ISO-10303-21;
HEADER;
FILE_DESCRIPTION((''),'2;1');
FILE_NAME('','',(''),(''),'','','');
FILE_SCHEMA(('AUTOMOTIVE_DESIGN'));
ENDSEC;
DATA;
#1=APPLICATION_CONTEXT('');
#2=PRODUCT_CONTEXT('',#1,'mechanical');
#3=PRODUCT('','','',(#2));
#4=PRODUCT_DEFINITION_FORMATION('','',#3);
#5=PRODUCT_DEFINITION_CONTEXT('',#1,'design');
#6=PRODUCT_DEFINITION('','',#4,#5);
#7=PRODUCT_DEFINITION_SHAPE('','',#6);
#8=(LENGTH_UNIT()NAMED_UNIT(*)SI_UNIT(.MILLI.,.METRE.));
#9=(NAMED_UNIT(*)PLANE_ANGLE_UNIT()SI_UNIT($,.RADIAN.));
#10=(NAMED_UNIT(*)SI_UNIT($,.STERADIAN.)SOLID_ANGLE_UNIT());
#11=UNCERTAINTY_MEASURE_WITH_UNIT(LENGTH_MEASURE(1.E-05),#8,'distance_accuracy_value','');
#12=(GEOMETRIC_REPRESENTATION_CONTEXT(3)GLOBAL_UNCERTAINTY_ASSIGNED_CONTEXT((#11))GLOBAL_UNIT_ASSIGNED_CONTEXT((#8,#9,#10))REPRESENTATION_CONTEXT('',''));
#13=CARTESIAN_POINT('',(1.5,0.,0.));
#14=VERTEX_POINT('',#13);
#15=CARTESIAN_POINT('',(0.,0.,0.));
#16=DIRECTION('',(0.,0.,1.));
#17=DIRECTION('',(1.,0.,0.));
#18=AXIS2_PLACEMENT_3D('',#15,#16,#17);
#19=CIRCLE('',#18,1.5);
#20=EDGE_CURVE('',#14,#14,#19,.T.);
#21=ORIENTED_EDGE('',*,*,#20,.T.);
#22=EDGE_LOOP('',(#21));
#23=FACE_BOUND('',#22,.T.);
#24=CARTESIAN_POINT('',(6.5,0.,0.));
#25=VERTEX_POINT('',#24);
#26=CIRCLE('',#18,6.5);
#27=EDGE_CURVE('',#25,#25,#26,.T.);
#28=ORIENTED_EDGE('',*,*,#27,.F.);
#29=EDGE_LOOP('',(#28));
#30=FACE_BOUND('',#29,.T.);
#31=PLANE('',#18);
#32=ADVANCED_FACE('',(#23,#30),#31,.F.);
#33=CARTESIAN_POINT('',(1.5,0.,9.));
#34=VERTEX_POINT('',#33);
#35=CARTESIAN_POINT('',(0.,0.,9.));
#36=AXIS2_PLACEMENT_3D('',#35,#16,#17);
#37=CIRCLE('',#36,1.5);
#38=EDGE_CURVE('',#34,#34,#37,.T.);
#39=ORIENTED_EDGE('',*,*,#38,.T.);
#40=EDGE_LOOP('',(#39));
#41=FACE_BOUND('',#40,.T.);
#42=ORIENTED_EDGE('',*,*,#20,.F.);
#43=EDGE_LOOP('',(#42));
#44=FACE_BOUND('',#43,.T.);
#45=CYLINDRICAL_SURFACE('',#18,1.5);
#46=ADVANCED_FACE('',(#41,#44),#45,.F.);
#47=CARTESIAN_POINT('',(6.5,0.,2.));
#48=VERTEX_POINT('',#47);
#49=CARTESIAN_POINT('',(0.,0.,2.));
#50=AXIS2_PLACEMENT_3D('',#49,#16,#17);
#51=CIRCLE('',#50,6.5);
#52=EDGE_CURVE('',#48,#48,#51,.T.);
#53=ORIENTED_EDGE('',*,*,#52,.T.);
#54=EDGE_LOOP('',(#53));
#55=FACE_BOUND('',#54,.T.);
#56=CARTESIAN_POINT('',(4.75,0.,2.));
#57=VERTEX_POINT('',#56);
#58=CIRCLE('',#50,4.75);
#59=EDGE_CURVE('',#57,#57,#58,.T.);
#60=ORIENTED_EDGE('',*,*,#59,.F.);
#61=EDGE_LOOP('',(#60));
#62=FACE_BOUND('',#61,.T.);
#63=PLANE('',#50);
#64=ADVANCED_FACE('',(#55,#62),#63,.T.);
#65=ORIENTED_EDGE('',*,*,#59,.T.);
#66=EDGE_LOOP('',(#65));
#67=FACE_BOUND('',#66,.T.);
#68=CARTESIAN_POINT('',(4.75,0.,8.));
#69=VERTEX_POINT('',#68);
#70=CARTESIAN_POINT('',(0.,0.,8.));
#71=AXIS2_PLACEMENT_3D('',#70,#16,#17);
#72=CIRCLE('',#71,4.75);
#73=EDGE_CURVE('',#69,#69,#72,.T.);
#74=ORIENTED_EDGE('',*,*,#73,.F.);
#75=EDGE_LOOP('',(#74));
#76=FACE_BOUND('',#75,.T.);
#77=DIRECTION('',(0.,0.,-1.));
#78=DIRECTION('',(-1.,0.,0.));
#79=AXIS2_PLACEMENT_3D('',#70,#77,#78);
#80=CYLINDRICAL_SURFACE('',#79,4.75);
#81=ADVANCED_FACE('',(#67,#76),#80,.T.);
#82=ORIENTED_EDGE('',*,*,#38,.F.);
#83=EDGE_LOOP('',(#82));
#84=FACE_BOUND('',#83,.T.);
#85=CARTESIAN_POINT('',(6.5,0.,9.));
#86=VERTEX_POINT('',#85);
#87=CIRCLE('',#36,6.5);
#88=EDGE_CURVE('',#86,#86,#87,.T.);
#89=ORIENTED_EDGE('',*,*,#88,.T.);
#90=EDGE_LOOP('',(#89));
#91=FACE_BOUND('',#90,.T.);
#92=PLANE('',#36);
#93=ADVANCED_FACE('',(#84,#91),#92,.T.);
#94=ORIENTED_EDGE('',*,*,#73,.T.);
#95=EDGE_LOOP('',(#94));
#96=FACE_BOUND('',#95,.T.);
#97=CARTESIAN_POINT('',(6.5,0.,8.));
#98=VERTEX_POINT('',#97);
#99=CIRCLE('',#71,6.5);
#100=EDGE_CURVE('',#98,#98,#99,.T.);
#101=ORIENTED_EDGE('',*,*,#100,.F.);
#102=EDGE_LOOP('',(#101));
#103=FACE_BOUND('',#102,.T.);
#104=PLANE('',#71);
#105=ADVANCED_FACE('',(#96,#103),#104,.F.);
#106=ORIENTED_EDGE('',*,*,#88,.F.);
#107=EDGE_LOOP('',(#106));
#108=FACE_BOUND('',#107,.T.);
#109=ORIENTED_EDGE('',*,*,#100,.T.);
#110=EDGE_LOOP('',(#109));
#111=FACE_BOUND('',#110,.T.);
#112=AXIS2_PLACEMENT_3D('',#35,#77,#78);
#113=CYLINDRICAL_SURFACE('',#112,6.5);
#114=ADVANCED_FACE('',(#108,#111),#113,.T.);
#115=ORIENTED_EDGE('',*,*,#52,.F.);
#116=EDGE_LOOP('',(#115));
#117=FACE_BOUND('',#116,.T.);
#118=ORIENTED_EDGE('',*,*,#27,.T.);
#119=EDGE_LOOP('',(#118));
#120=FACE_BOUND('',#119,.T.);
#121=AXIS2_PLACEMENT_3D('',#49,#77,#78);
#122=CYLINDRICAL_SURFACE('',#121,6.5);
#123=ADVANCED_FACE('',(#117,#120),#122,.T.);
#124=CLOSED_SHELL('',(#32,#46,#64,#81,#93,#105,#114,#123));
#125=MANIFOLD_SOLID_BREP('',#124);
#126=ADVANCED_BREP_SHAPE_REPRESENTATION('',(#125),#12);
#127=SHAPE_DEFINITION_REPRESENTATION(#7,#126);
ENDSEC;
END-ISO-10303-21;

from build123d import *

# Parameters (mm, degrees)
SKETCH_1_R          = 6.5
EXTRUDE_1_DEPTH     = 2
SKETCH_2_R          = 4.75
EXTRUDE_2_DEPTH     = 6
SKETCH_3_R          = 6.5
EXTRUDE_3_DEPTH     = 1
SKETCH_4_R          = 1.5
CUT_EXTRUDE_1_DEPTH = 10


with BuildPart() as part:
    # 草图1 → 凸台-拉伸1 (new body)
    with BuildSketch(Plane.XY):
        Circle(SKETCH_1_R)
    extrude(amount=EXTRUDE_1_DEPTH)

    # 草图2 → 凸台-拉伸2 (add)
    with BuildSketch(Plane.XY.offset(2)):
        Circle(SKETCH_2_R)
    extrude(amount=EXTRUDE_2_DEPTH)

    # 草图3 → 凸台-拉伸3 (add)
    with BuildSketch(Plane.XY.offset(8)):
        Circle(SKETCH_3_R)
    extrude(amount=EXTRUDE_3_DEPTH)

    # 草图4 → 切除-拉伸1 (cut, through all)
    with BuildSketch(Plane.XY.offset(9)):
        Circle(SKETCH_4_R)
    extrude(amount=-CUT_EXTRUDE_1_DEPTH, mode=Mode.SUBTRACT)


solid = part.part
